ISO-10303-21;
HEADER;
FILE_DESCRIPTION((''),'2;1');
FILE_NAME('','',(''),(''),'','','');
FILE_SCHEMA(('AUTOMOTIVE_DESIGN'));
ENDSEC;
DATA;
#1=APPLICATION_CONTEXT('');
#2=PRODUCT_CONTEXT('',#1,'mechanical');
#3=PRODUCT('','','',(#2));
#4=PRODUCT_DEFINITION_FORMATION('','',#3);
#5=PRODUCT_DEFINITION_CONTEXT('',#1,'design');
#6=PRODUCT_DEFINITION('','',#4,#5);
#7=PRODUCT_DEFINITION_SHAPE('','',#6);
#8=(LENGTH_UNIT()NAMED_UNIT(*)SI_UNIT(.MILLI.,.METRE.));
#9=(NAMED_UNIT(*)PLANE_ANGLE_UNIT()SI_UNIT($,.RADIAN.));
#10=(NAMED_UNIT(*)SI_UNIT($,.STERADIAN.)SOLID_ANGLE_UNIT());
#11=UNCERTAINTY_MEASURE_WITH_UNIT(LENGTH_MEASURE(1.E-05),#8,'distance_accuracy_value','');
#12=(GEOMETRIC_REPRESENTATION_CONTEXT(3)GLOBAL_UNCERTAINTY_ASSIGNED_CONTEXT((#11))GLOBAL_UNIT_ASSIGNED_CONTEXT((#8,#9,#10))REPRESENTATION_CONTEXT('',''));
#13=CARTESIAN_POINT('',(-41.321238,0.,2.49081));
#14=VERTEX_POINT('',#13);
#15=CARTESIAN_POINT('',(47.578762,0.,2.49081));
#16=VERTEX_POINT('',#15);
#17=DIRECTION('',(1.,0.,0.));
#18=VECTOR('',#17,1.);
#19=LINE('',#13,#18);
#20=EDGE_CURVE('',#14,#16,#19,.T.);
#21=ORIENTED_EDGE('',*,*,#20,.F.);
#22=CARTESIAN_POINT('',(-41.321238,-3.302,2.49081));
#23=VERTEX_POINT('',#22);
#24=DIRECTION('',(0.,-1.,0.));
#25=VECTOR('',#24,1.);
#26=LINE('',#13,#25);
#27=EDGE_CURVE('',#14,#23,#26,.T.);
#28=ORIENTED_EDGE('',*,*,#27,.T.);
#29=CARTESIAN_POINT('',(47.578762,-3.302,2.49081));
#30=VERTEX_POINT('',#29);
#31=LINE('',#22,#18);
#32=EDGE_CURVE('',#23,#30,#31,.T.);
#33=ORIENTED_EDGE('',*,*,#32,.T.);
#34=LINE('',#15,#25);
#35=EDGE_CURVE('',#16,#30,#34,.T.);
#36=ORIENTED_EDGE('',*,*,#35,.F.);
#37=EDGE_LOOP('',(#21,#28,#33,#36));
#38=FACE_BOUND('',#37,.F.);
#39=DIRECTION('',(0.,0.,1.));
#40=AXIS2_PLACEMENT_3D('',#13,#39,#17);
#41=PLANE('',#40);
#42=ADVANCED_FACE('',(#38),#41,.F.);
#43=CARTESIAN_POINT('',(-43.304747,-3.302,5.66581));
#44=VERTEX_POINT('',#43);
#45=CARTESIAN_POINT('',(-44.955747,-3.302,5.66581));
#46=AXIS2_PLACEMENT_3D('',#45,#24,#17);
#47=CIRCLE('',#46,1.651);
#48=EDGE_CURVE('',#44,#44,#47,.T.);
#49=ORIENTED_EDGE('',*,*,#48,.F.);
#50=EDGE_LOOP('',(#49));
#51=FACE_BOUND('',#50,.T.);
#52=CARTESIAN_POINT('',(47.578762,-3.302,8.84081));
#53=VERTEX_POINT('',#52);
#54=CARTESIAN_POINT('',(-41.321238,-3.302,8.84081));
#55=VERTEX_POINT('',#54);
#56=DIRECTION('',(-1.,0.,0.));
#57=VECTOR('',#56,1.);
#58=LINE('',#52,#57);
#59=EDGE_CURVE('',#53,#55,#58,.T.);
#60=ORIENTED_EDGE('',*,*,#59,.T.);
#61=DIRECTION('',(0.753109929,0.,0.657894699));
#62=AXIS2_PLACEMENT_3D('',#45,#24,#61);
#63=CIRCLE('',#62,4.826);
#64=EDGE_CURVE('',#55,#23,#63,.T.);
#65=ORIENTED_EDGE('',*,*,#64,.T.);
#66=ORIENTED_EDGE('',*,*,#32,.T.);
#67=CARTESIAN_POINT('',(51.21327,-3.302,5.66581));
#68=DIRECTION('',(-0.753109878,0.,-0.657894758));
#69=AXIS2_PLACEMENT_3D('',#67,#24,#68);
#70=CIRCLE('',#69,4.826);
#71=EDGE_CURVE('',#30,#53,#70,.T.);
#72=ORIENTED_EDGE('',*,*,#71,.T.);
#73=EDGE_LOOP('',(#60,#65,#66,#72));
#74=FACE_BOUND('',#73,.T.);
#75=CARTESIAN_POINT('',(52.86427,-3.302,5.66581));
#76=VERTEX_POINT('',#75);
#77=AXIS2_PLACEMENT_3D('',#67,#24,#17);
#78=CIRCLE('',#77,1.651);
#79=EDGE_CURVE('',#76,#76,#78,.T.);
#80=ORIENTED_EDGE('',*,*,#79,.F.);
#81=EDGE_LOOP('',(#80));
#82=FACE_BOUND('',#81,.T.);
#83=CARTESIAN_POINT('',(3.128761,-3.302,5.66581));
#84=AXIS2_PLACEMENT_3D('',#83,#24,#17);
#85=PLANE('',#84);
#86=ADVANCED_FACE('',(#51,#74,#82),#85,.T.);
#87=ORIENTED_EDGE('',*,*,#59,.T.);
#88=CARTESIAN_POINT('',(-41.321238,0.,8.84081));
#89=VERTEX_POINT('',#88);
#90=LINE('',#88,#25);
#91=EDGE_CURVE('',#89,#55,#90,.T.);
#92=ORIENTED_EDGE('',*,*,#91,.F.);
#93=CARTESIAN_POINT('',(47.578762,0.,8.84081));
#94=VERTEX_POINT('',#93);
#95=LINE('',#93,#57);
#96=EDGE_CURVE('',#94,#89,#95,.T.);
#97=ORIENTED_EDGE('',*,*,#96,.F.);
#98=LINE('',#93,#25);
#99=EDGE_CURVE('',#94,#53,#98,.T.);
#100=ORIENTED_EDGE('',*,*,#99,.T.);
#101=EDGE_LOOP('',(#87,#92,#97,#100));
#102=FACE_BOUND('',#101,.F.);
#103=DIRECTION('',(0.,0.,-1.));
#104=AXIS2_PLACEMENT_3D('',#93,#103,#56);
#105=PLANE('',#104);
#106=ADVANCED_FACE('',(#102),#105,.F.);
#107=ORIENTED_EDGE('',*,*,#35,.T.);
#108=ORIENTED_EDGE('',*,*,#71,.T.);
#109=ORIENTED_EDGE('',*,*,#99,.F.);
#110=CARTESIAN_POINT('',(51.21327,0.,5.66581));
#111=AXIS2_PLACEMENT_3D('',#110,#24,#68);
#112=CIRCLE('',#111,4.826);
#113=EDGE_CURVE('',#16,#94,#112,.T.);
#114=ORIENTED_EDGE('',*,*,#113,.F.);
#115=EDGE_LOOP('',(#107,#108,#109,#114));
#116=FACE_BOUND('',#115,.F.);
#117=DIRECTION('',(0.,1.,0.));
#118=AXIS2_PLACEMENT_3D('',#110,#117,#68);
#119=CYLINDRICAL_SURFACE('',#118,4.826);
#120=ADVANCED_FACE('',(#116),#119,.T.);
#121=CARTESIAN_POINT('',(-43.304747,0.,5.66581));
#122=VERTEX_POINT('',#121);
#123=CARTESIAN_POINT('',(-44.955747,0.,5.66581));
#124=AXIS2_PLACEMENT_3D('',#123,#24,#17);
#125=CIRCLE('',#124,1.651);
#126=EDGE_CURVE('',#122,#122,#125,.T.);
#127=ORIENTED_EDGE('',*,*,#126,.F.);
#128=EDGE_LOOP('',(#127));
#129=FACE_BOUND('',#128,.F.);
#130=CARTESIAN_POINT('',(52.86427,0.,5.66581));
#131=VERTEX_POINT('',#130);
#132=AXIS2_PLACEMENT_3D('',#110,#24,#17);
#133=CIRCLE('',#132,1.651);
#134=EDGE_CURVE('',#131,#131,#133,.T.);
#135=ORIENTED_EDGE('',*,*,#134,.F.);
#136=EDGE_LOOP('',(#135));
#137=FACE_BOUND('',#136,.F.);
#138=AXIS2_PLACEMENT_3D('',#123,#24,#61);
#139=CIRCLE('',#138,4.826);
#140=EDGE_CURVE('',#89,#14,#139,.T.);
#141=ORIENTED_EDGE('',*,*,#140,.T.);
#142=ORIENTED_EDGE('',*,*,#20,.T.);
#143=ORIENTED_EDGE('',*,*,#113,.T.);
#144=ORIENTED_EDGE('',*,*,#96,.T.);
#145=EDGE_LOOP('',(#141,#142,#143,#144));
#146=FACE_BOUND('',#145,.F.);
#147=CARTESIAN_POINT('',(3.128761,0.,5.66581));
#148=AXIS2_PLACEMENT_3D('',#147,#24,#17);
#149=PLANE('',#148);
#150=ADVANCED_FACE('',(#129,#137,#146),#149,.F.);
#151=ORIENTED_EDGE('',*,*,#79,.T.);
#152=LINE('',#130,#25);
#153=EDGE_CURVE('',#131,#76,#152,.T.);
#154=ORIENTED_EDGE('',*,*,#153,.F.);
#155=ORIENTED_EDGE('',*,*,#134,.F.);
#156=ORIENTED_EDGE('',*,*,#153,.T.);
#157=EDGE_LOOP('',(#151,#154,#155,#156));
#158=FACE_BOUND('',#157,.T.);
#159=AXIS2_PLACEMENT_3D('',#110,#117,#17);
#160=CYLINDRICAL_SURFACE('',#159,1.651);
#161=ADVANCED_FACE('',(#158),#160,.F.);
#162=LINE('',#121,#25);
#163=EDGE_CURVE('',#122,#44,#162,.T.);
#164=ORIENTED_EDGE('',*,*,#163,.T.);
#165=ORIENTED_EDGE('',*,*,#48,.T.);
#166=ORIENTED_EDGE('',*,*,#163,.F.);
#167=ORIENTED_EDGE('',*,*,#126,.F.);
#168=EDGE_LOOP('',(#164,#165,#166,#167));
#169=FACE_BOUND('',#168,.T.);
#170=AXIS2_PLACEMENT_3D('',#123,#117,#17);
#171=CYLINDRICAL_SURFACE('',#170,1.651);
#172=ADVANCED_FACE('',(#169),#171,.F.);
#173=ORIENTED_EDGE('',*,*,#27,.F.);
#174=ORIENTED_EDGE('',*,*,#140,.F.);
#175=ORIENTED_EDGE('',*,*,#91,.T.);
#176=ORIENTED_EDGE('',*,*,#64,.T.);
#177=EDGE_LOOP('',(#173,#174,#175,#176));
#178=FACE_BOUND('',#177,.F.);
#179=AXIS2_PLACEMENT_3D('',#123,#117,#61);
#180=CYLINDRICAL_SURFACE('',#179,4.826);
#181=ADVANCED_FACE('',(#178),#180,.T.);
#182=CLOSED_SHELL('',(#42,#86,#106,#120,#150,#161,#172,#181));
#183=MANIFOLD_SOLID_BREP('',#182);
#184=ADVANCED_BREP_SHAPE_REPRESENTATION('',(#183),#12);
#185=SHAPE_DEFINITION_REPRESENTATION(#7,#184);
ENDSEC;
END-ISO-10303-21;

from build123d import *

# Parameters (mm, degrees)
F0_R     = 1.651
F1_DEPTH = 3.302


with BuildPart() as f1:
    # F0 (on Front) → F1 (new body)
    with BuildSketch(Plane.XZ):
        with BuildLine():
            Line((47.578762, 8.84081), (0, 8.84081))
            Line((0, 8.84081), (-41.321238, 8.84081))
            ThreePointArc((-41.321238, 8.84081), (-49.781747, 5.66581), (-41.321238, 2.49081))
            Line((-41.321238, 2.49081), (47.578762, 2.49081))
            ThreePointArc((47.578762, 2.49081), (56.03927, 5.66581), (47.578762, 8.84081))
        make_face()
        with Locations((-44.955747, 5.66581)):
            Circle(F0_R, mode=Mode.SUBTRACT)
        with Locations((51.21327, 5.66581)):
            Circle(F0_R, mode=Mode.SUBTRACT)
    extrude(amount=F1_DEPTH)


solid = f1.part
